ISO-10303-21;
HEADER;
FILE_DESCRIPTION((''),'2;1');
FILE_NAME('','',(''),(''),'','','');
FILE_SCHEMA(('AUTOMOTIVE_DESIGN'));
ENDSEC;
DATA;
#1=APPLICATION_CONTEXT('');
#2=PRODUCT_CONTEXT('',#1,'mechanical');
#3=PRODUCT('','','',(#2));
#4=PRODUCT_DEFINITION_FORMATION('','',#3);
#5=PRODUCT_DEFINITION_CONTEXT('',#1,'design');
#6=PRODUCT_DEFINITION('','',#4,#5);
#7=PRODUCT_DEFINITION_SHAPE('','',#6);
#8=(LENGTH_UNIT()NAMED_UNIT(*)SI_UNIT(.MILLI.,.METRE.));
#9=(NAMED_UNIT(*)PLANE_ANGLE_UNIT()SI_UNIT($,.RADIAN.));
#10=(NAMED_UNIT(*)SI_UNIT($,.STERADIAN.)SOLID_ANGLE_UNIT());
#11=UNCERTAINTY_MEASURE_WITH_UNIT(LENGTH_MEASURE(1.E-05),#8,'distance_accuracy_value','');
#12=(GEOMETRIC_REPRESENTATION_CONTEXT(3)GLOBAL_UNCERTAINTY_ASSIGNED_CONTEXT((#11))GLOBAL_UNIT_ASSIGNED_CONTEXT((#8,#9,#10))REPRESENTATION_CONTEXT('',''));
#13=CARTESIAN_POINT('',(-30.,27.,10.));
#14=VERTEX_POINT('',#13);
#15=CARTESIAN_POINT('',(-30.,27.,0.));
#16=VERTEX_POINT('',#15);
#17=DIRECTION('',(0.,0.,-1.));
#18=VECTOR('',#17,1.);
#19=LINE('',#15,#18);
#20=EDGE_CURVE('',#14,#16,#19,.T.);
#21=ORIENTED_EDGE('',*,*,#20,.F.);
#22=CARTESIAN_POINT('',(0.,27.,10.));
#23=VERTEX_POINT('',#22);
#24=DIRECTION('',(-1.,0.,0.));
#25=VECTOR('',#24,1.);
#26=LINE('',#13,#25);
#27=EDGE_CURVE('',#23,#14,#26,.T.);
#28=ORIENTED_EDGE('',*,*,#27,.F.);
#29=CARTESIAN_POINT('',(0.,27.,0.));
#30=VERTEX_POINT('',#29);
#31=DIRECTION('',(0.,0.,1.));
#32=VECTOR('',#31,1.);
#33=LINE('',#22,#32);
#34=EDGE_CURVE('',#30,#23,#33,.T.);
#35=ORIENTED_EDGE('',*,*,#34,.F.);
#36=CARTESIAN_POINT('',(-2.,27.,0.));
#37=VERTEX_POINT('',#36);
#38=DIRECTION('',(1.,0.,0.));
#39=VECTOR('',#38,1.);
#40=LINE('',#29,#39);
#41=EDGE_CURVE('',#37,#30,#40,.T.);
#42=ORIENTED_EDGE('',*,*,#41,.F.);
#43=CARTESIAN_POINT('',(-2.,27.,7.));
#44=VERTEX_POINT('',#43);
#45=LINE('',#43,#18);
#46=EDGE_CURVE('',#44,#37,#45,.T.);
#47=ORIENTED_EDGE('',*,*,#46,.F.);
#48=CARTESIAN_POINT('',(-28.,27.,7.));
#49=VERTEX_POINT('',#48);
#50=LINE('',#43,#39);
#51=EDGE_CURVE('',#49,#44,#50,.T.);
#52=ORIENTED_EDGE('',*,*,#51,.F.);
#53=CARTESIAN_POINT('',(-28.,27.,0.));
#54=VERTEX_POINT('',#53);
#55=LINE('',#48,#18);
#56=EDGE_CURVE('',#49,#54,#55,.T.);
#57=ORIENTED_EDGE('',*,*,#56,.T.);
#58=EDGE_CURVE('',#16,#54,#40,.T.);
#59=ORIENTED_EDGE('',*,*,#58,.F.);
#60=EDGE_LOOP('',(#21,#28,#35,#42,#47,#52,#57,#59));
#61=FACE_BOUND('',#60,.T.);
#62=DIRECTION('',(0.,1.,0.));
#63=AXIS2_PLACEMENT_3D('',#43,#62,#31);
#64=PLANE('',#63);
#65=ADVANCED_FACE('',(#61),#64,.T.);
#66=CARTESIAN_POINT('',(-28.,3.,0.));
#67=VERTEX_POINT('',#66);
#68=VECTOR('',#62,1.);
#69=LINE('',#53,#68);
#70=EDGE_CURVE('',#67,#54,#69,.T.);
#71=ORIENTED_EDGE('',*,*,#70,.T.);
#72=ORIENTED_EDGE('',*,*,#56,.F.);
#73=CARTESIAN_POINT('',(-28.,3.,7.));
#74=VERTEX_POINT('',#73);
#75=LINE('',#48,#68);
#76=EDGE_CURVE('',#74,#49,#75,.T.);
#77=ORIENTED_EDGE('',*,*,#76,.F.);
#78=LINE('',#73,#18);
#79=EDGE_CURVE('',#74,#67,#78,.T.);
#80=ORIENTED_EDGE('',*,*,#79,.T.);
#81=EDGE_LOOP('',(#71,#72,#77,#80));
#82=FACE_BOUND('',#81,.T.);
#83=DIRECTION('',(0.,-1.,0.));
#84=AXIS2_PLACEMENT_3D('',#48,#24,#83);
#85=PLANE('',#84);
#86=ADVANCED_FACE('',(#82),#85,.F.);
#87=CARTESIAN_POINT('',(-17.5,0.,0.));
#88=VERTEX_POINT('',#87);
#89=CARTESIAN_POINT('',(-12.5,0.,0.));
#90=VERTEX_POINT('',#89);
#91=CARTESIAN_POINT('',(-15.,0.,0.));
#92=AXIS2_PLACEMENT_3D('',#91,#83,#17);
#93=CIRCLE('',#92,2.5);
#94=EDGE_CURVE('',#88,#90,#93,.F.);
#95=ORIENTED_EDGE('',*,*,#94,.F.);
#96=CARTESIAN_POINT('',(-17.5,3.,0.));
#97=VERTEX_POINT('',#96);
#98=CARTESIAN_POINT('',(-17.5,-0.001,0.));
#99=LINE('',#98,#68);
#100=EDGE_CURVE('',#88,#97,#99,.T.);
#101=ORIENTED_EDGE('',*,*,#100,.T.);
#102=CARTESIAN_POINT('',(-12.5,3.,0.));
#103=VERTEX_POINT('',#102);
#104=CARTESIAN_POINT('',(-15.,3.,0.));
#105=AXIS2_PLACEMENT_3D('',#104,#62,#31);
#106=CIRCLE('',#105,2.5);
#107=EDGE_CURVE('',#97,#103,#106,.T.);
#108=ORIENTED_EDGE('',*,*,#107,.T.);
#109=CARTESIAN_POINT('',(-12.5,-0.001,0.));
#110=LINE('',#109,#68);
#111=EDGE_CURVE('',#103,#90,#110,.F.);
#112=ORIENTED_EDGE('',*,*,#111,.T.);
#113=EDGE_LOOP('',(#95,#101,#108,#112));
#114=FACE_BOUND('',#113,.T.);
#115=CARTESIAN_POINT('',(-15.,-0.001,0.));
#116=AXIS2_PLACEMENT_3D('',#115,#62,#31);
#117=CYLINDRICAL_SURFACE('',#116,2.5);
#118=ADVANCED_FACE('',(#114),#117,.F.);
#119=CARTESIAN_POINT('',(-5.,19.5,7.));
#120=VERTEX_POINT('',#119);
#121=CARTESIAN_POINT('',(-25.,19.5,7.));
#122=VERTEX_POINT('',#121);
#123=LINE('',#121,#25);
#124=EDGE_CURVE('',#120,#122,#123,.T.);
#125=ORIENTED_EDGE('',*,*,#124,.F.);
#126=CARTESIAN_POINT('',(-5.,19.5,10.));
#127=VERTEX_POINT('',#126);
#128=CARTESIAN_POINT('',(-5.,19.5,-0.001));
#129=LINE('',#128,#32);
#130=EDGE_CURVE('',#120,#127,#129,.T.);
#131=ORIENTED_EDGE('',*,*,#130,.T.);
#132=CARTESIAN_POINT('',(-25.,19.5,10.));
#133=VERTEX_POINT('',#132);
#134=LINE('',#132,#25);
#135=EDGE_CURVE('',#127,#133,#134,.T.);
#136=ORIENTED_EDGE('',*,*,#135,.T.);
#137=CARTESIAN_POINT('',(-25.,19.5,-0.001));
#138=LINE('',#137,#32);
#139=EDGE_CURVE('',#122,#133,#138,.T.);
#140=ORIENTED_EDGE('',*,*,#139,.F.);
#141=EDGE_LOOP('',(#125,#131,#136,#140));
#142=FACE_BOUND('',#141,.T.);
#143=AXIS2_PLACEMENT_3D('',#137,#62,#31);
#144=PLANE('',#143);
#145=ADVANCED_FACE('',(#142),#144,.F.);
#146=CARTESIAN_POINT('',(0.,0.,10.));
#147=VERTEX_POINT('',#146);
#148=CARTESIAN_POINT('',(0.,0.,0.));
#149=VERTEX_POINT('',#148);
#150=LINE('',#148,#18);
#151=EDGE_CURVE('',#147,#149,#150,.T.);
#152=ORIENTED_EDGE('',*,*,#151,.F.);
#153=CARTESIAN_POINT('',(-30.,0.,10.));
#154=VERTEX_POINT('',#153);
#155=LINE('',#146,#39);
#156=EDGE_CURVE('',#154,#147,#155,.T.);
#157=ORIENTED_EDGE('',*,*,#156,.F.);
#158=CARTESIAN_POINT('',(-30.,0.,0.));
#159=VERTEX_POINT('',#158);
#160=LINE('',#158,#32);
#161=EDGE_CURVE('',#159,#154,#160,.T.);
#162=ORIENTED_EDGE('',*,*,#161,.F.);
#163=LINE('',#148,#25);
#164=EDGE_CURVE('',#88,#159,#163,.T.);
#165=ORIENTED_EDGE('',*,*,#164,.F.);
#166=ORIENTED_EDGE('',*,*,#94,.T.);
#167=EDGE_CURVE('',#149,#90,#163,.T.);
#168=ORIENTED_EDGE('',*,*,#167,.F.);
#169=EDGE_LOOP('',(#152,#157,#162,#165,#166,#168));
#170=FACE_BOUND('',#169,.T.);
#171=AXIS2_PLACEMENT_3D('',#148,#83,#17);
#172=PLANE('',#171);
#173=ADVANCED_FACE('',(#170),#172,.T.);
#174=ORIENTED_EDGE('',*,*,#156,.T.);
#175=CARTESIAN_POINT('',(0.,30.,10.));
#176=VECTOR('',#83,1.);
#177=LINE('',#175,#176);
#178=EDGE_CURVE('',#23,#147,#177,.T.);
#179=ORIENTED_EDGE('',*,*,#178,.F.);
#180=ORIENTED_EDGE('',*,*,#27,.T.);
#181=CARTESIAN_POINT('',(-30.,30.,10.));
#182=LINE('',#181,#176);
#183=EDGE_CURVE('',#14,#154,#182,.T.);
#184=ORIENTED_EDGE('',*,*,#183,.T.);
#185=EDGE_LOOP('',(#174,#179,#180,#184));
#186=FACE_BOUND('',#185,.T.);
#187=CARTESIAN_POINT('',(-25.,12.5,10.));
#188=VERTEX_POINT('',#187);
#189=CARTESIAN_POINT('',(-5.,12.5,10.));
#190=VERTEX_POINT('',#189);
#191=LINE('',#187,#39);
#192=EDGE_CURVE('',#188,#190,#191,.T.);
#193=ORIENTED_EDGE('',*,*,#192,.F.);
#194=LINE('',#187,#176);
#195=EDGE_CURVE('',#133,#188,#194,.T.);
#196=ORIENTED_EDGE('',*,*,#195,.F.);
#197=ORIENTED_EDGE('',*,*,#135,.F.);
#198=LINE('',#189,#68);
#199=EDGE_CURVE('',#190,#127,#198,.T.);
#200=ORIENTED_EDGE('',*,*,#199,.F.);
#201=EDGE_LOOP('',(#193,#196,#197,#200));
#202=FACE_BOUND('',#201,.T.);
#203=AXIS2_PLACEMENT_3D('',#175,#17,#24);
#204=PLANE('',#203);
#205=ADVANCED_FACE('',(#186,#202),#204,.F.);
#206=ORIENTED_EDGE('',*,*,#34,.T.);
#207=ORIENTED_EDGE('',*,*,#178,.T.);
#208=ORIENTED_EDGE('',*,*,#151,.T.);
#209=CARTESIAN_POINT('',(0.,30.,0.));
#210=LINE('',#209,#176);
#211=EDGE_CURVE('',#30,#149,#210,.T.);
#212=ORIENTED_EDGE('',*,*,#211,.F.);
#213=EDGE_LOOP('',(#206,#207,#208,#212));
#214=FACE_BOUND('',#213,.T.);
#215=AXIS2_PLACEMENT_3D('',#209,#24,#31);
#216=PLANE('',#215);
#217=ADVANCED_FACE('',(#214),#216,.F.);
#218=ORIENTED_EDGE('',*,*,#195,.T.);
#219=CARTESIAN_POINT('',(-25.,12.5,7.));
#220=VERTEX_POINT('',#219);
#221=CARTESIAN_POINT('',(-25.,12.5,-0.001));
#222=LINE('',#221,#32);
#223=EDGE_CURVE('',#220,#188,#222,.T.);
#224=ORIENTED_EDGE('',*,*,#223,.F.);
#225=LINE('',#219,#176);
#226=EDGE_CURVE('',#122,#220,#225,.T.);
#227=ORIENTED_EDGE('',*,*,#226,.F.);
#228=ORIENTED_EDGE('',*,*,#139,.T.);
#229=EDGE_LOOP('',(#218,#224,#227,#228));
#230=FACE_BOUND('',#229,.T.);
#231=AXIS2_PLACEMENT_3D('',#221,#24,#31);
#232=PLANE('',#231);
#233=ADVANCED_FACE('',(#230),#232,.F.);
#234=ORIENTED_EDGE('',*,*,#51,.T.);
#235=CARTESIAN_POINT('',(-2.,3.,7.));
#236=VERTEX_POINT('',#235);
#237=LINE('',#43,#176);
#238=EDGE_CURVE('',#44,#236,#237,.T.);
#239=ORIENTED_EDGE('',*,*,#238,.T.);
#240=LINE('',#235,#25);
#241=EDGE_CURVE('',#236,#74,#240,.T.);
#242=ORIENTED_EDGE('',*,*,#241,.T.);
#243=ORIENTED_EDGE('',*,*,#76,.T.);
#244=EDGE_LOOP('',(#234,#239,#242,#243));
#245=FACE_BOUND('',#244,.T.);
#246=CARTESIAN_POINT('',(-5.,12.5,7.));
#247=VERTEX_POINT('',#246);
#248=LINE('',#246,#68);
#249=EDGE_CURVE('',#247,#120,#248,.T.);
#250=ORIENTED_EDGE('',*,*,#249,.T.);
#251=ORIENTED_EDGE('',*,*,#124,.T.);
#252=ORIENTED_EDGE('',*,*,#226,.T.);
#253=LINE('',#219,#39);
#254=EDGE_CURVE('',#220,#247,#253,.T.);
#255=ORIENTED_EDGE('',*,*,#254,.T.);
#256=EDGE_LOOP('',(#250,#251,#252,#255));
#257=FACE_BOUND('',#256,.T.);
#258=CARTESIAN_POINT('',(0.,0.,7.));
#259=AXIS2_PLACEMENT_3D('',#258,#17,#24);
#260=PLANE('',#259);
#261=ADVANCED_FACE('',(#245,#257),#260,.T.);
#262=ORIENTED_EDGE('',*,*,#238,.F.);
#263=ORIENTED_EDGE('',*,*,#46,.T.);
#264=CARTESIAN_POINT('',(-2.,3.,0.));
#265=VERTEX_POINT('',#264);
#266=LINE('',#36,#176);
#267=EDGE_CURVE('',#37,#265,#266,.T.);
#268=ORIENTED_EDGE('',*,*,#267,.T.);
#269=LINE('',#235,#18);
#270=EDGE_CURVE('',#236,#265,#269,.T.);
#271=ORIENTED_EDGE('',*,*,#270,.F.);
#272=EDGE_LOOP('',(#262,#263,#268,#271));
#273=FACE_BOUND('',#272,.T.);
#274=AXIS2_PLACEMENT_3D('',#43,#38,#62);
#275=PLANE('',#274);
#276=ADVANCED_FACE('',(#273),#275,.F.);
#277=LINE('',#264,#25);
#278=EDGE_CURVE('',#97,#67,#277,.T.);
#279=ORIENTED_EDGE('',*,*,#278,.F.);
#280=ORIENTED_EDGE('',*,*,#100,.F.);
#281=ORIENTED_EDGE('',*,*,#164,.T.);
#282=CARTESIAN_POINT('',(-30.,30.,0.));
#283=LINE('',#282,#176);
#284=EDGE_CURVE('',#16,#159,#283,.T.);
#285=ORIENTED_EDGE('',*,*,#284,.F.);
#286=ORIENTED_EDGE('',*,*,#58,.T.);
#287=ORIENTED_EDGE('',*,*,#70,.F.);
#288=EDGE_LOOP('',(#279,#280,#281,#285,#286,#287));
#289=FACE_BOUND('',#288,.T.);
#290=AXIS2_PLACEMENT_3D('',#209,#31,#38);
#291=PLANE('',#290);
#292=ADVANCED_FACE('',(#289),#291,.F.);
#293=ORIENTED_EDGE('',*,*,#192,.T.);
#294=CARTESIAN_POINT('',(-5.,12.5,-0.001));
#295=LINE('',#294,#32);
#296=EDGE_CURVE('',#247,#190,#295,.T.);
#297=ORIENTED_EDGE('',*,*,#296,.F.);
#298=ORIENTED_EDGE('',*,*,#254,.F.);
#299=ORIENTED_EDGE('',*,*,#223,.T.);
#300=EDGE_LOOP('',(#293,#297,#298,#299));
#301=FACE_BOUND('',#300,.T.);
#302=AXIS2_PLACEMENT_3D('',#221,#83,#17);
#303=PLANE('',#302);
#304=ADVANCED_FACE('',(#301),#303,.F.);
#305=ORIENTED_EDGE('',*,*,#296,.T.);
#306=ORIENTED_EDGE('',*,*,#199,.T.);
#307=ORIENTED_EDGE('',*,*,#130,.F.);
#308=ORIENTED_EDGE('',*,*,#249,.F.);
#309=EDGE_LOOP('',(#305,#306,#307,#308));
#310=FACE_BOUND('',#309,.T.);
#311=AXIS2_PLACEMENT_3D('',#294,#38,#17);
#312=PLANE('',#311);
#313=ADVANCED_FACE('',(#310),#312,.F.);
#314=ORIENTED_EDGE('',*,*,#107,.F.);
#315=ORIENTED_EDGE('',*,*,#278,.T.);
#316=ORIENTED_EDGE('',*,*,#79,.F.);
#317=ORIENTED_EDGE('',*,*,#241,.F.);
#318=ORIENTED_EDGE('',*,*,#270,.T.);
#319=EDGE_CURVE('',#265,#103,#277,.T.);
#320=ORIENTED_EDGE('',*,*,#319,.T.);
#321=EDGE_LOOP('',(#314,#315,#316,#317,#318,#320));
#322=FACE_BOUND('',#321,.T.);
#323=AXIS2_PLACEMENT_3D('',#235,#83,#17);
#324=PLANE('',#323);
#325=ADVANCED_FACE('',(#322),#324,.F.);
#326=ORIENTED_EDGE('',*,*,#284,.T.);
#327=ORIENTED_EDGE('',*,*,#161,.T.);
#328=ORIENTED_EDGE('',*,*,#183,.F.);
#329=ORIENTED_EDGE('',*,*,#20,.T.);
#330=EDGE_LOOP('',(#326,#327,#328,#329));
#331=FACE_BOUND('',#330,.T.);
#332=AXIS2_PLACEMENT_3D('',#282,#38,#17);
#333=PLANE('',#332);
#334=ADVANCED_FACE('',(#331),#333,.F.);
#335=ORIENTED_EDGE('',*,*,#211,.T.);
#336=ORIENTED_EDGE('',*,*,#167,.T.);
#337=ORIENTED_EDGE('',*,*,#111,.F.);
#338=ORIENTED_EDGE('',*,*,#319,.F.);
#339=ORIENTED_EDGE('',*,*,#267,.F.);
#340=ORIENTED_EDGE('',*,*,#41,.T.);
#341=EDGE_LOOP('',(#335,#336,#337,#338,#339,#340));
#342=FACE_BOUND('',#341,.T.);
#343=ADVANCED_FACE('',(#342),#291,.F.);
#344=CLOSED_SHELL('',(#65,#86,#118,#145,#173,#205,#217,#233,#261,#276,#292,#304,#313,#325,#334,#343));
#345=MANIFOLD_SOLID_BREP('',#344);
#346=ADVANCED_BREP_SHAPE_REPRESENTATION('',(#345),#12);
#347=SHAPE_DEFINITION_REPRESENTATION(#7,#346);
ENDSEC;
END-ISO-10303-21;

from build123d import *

# Parameters (mm, degrees)
CROQUIS1_W              = 30
CROQUIS1_H              = 10
SALIENTE_EXTRUIR1_DEPTH = 30
CORTAR_EXTRUIR1_REACH   = 45.589
CROQUIS2_W              = 20
CROQUIS2_H              = 7
CROQUIS4_W              = 26
CROQUIS4_H              = 24
CORTAR_EXTRUIR3_DEPTH   = 7
CORTAR_EXTRUIR4_REACH   = 43.581
CROQUIS5_R              = 2.5
CROQUIS6_W              = 30
CROQUIS6_H              = 10
CORTAR_EXTRUIR5_DEPTH   = 3


with BuildPart() as part:
    # Croquis1 → Saliente-Extruir1 (new body)
    with BuildSketch(Plane(origin=(0, 0, 0), x_dir=(1, 0, 0), z_dir=(0, 1, 0))):
        with Locations((-15, -5)):
            Rectangle(CROQUIS1_W, CROQUIS1_H)
    extrude(amount=SALIENTE_EXTRUIR1_DEPTH)

    # Croquis2 → Cortar-Extruir1 (cut, up to next)
    with BuildSketch(Plane.XY.offset(10), mode=Mode.PRIVATE) as cortar_extruir1_sk1:
        with Locations((-15, 16)):
            Rectangle(CROQUIS2_W, CROQUIS2_H)
    cortar_extruir1_tool1 = extrude(cortar_extruir1_sk1.sketch, amount=-CORTAR_EXTRUIR1_REACH, mode=Mode.PRIVATE) & part.part
    add(cortar_extruir1_tool1.solids().sort_by_distance((-15, 16, 10))[0], mode=Mode.SUBTRACT)

    # Croquis4 → Cortar-Extruir3 (cut)
    with BuildSketch(Plane(origin=(0, 0, 0), x_dir=(-1, 0, 0), z_dir=(0, 0, -1))):
        with Locations((15, 15)):
            Rectangle(CROQUIS4_W, CROQUIS4_H)
    extrude(amount=-CORTAR_EXTRUIR3_DEPTH, mode=Mode.SUBTRACT)

    # Croquis5 → Cortar-Extruir4 (cut, up to next)
    with BuildSketch(Plane(origin=(0, 3, 0), x_dir=(1, 0, 0), z_dir=(0, 1, 0)), mode=Mode.PRIVATE) as cortar_extruir4_sk1:
        with Locations((-15, 0)):
            Circle(CROQUIS5_R)
    cortar_extruir4_tool1 = extrude(cortar_extruir4_sk1.sketch, amount=-CORTAR_EXTRUIR4_REACH, mode=Mode.PRIVATE) & part.part
    add(cortar_extruir4_tool1.solids().sort_by_distance((-15, 3, 0))[0], mode=Mode.SUBTRACT)

    # Croquis6 → Cortar-Extruir5 (cut)
    with BuildSketch(Plane(origin=(0, 30, 0), x_dir=(1, 0, 0), z_dir=(0, 1, 0))):
        with Locations((-15, -5)):
            Rectangle(CROQUIS6_W, CROQUIS6_H)
    extrude(amount=-CORTAR_EXTRUIR5_DEPTH, mode=Mode.SUBTRACT)


solid = part.part
